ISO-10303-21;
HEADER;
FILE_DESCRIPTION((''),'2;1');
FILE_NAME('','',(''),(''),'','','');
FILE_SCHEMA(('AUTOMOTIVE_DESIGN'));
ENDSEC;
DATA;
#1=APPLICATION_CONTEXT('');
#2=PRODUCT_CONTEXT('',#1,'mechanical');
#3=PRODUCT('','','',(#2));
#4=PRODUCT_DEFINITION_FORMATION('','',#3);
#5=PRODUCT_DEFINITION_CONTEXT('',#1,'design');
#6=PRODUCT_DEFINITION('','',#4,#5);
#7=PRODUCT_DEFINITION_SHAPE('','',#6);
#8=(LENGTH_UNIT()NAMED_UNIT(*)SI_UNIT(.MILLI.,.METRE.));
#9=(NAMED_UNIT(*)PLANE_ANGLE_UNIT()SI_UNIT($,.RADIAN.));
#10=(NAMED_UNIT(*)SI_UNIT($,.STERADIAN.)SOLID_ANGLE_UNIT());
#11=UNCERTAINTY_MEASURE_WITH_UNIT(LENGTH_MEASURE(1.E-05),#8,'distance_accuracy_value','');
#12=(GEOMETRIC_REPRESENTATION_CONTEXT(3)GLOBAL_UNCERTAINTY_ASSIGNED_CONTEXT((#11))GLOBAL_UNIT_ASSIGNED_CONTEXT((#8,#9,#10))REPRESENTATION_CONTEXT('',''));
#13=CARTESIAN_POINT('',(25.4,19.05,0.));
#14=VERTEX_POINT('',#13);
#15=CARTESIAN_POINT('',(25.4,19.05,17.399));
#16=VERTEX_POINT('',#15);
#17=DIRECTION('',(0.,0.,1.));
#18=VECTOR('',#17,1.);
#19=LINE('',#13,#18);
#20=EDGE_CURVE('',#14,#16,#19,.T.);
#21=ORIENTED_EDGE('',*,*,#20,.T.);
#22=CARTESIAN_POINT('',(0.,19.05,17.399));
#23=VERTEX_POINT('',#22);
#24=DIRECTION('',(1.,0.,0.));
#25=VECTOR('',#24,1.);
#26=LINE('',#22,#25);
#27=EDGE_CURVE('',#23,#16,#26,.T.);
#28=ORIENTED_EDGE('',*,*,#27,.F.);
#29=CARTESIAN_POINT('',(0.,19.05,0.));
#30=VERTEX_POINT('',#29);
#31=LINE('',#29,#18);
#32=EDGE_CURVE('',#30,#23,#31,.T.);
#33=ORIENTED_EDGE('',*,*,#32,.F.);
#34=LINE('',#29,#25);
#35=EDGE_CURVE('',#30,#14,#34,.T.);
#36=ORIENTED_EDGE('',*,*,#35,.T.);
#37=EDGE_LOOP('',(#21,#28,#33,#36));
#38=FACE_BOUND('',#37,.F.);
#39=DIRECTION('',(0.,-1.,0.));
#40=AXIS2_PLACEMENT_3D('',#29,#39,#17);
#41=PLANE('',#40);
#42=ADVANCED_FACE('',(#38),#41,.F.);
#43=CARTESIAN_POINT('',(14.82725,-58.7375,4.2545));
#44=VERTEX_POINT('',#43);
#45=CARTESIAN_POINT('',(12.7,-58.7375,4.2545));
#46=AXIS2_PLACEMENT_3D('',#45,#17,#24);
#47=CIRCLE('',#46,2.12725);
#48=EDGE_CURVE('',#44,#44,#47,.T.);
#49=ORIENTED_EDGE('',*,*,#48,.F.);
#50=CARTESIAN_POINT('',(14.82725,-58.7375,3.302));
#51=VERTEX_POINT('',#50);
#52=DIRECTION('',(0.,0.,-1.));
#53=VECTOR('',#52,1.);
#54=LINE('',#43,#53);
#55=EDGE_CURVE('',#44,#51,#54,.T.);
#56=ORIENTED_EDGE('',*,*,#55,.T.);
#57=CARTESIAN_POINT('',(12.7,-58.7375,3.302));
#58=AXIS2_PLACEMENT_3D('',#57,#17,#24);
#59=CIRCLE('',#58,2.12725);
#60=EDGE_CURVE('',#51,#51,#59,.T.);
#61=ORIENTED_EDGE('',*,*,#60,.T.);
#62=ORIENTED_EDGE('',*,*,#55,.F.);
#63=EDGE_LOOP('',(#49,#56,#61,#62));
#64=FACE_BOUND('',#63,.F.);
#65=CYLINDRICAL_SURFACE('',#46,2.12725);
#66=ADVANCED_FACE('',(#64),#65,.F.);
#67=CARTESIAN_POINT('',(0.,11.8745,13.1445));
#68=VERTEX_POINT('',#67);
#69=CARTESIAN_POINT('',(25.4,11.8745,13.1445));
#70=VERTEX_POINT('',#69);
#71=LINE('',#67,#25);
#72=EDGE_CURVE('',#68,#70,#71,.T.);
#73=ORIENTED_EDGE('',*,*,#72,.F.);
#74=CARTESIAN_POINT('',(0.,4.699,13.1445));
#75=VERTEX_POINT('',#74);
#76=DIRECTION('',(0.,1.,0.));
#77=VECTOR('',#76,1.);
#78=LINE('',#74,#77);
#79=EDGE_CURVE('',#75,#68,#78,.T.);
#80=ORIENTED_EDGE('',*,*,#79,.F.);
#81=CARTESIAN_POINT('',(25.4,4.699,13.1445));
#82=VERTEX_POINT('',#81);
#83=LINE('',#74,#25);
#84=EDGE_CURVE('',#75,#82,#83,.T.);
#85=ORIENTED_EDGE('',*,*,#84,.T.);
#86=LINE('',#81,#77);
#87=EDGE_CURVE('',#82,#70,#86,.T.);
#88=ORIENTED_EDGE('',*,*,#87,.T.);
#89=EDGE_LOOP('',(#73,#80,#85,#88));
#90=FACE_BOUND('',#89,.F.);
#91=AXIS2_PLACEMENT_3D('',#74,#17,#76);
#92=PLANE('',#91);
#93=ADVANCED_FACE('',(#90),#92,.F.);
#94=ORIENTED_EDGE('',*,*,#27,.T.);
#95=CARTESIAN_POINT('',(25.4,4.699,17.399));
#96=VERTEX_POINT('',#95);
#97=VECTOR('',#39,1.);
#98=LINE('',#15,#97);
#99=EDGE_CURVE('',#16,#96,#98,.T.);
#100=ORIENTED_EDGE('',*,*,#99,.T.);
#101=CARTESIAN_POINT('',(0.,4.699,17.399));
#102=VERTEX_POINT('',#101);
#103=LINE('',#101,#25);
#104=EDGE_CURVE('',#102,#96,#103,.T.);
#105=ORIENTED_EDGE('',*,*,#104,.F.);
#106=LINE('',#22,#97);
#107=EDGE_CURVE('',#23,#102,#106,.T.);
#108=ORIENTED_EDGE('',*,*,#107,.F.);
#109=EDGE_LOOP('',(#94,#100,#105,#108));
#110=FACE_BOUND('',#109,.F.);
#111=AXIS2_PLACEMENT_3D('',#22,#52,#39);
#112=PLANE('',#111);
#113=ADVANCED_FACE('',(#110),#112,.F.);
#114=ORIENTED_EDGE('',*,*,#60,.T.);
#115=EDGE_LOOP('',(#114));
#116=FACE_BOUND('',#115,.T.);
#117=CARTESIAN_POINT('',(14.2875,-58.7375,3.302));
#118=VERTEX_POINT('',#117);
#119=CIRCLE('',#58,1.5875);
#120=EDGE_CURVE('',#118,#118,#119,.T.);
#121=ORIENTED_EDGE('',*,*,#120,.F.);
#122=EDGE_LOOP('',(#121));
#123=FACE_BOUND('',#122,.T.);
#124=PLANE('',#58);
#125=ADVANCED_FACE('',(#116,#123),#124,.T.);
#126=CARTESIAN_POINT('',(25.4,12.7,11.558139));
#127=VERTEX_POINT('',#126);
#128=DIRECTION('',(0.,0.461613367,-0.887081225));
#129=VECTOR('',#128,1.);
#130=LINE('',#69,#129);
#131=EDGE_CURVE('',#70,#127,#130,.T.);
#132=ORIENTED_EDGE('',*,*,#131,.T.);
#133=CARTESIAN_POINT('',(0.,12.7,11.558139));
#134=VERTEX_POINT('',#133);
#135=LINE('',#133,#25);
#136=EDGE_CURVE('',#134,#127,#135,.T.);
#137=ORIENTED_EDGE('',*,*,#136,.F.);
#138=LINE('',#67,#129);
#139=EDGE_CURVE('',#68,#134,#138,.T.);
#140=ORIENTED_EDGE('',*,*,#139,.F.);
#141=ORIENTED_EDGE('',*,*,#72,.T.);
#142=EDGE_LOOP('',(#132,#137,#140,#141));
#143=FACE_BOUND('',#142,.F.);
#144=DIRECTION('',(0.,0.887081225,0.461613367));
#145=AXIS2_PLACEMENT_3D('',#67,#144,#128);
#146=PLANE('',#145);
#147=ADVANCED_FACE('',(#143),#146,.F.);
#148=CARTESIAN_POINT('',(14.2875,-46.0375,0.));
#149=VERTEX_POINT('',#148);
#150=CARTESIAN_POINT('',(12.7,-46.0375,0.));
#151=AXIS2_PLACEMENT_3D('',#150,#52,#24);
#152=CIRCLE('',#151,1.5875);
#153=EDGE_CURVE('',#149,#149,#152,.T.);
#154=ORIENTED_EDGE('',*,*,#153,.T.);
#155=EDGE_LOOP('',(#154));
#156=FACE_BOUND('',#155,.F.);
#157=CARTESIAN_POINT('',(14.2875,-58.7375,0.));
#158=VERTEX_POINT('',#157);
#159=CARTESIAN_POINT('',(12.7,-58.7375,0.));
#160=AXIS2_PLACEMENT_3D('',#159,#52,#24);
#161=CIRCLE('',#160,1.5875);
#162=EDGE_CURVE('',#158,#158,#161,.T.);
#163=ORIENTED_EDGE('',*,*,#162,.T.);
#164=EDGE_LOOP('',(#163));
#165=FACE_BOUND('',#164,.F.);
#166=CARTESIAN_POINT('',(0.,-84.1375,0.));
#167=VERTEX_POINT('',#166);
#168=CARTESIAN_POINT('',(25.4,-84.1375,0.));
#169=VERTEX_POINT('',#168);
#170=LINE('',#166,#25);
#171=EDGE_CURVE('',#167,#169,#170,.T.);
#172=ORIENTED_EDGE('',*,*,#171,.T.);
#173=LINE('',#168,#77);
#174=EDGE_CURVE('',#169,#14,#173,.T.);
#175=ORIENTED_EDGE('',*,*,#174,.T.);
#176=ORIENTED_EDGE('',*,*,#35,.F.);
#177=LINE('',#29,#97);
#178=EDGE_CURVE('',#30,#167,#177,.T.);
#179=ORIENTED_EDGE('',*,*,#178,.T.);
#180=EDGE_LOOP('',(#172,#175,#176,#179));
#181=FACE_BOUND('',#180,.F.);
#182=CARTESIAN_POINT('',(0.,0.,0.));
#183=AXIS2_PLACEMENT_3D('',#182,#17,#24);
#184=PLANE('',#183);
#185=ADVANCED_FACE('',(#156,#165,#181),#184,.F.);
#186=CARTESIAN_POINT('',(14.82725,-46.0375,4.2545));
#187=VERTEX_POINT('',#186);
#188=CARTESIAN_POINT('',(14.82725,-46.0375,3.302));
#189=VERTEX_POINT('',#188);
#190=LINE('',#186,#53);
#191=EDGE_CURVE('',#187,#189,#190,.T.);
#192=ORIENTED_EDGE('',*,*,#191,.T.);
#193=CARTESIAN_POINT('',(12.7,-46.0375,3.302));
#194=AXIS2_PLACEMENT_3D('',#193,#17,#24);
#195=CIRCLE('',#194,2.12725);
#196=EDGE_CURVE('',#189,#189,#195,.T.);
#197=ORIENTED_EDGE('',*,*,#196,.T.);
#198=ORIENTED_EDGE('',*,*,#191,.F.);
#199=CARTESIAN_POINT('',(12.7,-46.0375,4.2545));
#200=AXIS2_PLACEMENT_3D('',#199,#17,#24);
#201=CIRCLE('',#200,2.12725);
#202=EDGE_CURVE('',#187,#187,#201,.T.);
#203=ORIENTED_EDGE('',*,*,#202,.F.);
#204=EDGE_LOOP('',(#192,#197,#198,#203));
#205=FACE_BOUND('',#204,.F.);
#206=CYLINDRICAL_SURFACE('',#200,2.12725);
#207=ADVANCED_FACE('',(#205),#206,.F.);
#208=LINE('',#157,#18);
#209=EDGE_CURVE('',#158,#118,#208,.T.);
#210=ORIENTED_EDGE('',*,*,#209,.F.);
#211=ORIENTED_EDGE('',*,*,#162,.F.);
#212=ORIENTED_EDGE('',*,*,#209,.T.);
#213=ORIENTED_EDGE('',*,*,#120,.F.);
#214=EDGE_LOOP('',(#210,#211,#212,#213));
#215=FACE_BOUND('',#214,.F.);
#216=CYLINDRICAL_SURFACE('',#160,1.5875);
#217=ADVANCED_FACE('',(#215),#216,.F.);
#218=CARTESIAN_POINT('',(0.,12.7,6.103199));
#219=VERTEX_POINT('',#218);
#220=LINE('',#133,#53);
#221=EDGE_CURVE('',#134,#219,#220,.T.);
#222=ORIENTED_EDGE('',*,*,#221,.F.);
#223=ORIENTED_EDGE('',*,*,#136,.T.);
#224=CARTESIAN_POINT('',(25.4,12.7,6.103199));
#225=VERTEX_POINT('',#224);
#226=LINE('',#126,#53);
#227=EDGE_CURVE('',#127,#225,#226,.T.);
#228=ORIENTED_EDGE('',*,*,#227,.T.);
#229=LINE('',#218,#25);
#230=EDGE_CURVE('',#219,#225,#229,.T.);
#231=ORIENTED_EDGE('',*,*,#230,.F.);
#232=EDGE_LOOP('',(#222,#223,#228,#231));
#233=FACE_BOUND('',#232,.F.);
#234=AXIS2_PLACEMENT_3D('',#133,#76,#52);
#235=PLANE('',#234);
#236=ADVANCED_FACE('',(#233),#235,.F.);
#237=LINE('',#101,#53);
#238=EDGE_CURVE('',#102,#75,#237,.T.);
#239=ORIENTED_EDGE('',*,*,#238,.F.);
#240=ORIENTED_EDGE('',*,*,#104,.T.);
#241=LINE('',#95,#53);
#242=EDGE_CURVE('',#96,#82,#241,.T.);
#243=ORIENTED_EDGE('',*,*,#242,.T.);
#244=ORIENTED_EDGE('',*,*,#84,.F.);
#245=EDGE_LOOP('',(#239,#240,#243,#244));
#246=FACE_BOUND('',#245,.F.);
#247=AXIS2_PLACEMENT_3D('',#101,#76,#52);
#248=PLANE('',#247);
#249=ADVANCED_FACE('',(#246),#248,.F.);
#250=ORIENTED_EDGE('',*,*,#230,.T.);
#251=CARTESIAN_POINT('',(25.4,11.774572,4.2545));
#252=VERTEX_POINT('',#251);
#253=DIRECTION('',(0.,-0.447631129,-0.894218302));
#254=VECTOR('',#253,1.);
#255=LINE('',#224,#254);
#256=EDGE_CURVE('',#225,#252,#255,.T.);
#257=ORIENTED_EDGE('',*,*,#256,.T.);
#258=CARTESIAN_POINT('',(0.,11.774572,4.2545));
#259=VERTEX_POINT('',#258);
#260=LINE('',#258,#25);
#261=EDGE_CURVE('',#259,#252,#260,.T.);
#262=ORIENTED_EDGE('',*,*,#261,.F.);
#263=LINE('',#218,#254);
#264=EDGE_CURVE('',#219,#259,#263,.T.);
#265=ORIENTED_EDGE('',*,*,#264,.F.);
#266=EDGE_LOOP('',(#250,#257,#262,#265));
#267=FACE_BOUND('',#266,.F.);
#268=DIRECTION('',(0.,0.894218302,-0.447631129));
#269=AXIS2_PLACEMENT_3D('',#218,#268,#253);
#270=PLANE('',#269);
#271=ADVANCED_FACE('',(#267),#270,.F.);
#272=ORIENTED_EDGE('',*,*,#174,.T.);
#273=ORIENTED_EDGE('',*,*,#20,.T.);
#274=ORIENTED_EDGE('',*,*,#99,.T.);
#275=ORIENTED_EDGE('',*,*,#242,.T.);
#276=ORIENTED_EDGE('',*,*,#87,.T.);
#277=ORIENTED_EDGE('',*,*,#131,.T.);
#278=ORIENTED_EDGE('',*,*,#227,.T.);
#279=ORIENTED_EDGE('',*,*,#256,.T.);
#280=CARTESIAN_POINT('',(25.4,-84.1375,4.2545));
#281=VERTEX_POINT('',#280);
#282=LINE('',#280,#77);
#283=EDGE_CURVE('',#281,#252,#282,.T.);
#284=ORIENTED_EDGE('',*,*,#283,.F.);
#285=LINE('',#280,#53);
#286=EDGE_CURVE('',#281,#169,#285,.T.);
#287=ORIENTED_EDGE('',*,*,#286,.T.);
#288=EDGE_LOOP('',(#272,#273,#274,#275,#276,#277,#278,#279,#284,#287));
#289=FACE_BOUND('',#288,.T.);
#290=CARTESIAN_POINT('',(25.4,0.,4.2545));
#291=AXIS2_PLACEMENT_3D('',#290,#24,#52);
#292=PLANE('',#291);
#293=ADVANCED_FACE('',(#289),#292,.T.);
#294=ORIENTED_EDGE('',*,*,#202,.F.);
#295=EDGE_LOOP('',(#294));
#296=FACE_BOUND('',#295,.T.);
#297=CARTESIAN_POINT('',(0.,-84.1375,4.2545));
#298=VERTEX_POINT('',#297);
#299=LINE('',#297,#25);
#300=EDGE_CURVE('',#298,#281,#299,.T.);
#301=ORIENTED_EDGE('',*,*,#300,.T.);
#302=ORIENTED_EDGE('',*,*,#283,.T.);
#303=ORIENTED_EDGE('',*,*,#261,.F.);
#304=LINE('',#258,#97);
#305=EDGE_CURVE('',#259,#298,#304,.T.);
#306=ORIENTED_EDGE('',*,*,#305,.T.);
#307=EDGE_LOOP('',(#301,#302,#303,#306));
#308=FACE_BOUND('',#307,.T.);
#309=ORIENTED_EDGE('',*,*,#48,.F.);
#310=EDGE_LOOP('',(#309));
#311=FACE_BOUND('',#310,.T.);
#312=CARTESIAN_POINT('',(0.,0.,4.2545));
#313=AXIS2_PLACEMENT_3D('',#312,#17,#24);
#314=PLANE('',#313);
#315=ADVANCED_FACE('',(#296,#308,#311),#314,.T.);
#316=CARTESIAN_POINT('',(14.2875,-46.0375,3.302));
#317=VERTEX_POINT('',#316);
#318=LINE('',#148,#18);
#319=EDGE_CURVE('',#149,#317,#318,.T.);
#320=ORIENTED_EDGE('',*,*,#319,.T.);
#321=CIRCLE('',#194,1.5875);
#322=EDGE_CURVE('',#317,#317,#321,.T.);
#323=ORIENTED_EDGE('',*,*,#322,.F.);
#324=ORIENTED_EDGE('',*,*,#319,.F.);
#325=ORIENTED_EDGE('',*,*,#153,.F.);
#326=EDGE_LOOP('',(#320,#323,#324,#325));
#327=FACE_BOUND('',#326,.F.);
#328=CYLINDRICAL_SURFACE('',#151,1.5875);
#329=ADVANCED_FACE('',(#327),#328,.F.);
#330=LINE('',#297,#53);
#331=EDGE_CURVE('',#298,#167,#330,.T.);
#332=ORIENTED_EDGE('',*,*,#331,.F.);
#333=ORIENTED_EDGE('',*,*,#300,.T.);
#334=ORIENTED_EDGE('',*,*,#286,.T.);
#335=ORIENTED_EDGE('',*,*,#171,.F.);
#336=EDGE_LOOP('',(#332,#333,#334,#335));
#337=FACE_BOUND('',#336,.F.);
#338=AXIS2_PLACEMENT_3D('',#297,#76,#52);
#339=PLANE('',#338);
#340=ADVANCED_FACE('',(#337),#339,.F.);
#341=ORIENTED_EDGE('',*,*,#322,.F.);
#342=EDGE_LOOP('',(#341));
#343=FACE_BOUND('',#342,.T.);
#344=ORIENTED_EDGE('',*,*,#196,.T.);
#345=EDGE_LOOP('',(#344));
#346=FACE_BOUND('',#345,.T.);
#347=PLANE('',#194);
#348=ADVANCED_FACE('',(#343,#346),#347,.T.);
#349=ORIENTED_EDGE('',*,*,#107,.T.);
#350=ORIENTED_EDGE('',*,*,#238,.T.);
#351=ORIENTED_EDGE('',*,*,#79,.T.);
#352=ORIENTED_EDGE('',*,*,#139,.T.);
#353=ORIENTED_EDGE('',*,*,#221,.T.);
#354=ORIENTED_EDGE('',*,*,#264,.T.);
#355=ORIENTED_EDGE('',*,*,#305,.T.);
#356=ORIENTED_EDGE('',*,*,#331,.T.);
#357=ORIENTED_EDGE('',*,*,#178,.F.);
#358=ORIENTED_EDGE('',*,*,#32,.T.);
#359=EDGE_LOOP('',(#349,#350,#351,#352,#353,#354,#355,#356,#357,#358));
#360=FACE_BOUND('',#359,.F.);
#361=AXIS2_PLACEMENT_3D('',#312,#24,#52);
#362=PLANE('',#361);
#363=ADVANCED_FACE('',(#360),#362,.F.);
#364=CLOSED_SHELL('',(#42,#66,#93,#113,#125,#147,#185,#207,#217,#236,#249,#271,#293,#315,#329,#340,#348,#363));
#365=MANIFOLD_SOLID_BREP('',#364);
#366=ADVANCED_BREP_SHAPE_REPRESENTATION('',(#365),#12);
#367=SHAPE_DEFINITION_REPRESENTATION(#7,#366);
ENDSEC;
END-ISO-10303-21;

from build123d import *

# Parameters (mm, degrees)
F1_DEPTH = 25.4
F2_DEPTH = 84.1375
F3_R     = 1.5875
F4_DEPTH = 25.4
F5_R     = 2.12725
F5_R_2   = 1.5875
F6_DEPTH = 0.9525


with BuildPart() as f1:
    # F0 (on Right) → F1 (new body)
    with BuildSketch(Plane.YZ):
        Polygon((0, 4.2545), (0, 0), (19.05, 0), (19.05, 4.2545), (19.05, 17.0903187245), (19.05, 17.399), (4.699, 17.399), (4.699, 13.1445), (11.8745, 13.1445), (12.7, 11.5581387654), (12.7, 6.1031985097), (11.7745716125, 4.2545), align=None)
    extrude(amount=F1_DEPTH)

    # F2 (add): a face of the model
    f2_faces = [f1.faces().sort_by_distance(p)[0] for p in [
        (12.7, 0, 2.12725),
    ]]
    extrude(f2_faces, amount=F2_DEPTH)

    # F3 (on face) → F4 (cut)
    with BuildSketch(Plane(origin=(0, 0, 0), x_dir=(1, 0, 0), z_dir=(0, 0, -1))):
        with Locations((12.7, 58.7375)):
            Circle(F3_R)
        with Locations((12.7, 46.0375)):
            Circle(F3_R)
    extrude(amount=-F4_DEPTH, mode=Mode.SUBTRACT)

    # F5 (on face) → F6 (cut)
    with BuildSketch(Plane.XY.offset(4.2545)):
        with Locations((12.7, -46.0375)):
            Circle(F5_R)
        with Locations((12.7, -46.0375)):
            Circle(F5_R_2, mode=Mode.SUBTRACT)
        with Locations((12.7, -58.7375)):
            Circle(F5_R)
        with Locations((12.7, -58.7375)):
            Circle(F5_R_2, mode=Mode.SUBTRACT)
    extrude(amount=-F6_DEPTH, mode=Mode.SUBTRACT)


solid = f1.part
